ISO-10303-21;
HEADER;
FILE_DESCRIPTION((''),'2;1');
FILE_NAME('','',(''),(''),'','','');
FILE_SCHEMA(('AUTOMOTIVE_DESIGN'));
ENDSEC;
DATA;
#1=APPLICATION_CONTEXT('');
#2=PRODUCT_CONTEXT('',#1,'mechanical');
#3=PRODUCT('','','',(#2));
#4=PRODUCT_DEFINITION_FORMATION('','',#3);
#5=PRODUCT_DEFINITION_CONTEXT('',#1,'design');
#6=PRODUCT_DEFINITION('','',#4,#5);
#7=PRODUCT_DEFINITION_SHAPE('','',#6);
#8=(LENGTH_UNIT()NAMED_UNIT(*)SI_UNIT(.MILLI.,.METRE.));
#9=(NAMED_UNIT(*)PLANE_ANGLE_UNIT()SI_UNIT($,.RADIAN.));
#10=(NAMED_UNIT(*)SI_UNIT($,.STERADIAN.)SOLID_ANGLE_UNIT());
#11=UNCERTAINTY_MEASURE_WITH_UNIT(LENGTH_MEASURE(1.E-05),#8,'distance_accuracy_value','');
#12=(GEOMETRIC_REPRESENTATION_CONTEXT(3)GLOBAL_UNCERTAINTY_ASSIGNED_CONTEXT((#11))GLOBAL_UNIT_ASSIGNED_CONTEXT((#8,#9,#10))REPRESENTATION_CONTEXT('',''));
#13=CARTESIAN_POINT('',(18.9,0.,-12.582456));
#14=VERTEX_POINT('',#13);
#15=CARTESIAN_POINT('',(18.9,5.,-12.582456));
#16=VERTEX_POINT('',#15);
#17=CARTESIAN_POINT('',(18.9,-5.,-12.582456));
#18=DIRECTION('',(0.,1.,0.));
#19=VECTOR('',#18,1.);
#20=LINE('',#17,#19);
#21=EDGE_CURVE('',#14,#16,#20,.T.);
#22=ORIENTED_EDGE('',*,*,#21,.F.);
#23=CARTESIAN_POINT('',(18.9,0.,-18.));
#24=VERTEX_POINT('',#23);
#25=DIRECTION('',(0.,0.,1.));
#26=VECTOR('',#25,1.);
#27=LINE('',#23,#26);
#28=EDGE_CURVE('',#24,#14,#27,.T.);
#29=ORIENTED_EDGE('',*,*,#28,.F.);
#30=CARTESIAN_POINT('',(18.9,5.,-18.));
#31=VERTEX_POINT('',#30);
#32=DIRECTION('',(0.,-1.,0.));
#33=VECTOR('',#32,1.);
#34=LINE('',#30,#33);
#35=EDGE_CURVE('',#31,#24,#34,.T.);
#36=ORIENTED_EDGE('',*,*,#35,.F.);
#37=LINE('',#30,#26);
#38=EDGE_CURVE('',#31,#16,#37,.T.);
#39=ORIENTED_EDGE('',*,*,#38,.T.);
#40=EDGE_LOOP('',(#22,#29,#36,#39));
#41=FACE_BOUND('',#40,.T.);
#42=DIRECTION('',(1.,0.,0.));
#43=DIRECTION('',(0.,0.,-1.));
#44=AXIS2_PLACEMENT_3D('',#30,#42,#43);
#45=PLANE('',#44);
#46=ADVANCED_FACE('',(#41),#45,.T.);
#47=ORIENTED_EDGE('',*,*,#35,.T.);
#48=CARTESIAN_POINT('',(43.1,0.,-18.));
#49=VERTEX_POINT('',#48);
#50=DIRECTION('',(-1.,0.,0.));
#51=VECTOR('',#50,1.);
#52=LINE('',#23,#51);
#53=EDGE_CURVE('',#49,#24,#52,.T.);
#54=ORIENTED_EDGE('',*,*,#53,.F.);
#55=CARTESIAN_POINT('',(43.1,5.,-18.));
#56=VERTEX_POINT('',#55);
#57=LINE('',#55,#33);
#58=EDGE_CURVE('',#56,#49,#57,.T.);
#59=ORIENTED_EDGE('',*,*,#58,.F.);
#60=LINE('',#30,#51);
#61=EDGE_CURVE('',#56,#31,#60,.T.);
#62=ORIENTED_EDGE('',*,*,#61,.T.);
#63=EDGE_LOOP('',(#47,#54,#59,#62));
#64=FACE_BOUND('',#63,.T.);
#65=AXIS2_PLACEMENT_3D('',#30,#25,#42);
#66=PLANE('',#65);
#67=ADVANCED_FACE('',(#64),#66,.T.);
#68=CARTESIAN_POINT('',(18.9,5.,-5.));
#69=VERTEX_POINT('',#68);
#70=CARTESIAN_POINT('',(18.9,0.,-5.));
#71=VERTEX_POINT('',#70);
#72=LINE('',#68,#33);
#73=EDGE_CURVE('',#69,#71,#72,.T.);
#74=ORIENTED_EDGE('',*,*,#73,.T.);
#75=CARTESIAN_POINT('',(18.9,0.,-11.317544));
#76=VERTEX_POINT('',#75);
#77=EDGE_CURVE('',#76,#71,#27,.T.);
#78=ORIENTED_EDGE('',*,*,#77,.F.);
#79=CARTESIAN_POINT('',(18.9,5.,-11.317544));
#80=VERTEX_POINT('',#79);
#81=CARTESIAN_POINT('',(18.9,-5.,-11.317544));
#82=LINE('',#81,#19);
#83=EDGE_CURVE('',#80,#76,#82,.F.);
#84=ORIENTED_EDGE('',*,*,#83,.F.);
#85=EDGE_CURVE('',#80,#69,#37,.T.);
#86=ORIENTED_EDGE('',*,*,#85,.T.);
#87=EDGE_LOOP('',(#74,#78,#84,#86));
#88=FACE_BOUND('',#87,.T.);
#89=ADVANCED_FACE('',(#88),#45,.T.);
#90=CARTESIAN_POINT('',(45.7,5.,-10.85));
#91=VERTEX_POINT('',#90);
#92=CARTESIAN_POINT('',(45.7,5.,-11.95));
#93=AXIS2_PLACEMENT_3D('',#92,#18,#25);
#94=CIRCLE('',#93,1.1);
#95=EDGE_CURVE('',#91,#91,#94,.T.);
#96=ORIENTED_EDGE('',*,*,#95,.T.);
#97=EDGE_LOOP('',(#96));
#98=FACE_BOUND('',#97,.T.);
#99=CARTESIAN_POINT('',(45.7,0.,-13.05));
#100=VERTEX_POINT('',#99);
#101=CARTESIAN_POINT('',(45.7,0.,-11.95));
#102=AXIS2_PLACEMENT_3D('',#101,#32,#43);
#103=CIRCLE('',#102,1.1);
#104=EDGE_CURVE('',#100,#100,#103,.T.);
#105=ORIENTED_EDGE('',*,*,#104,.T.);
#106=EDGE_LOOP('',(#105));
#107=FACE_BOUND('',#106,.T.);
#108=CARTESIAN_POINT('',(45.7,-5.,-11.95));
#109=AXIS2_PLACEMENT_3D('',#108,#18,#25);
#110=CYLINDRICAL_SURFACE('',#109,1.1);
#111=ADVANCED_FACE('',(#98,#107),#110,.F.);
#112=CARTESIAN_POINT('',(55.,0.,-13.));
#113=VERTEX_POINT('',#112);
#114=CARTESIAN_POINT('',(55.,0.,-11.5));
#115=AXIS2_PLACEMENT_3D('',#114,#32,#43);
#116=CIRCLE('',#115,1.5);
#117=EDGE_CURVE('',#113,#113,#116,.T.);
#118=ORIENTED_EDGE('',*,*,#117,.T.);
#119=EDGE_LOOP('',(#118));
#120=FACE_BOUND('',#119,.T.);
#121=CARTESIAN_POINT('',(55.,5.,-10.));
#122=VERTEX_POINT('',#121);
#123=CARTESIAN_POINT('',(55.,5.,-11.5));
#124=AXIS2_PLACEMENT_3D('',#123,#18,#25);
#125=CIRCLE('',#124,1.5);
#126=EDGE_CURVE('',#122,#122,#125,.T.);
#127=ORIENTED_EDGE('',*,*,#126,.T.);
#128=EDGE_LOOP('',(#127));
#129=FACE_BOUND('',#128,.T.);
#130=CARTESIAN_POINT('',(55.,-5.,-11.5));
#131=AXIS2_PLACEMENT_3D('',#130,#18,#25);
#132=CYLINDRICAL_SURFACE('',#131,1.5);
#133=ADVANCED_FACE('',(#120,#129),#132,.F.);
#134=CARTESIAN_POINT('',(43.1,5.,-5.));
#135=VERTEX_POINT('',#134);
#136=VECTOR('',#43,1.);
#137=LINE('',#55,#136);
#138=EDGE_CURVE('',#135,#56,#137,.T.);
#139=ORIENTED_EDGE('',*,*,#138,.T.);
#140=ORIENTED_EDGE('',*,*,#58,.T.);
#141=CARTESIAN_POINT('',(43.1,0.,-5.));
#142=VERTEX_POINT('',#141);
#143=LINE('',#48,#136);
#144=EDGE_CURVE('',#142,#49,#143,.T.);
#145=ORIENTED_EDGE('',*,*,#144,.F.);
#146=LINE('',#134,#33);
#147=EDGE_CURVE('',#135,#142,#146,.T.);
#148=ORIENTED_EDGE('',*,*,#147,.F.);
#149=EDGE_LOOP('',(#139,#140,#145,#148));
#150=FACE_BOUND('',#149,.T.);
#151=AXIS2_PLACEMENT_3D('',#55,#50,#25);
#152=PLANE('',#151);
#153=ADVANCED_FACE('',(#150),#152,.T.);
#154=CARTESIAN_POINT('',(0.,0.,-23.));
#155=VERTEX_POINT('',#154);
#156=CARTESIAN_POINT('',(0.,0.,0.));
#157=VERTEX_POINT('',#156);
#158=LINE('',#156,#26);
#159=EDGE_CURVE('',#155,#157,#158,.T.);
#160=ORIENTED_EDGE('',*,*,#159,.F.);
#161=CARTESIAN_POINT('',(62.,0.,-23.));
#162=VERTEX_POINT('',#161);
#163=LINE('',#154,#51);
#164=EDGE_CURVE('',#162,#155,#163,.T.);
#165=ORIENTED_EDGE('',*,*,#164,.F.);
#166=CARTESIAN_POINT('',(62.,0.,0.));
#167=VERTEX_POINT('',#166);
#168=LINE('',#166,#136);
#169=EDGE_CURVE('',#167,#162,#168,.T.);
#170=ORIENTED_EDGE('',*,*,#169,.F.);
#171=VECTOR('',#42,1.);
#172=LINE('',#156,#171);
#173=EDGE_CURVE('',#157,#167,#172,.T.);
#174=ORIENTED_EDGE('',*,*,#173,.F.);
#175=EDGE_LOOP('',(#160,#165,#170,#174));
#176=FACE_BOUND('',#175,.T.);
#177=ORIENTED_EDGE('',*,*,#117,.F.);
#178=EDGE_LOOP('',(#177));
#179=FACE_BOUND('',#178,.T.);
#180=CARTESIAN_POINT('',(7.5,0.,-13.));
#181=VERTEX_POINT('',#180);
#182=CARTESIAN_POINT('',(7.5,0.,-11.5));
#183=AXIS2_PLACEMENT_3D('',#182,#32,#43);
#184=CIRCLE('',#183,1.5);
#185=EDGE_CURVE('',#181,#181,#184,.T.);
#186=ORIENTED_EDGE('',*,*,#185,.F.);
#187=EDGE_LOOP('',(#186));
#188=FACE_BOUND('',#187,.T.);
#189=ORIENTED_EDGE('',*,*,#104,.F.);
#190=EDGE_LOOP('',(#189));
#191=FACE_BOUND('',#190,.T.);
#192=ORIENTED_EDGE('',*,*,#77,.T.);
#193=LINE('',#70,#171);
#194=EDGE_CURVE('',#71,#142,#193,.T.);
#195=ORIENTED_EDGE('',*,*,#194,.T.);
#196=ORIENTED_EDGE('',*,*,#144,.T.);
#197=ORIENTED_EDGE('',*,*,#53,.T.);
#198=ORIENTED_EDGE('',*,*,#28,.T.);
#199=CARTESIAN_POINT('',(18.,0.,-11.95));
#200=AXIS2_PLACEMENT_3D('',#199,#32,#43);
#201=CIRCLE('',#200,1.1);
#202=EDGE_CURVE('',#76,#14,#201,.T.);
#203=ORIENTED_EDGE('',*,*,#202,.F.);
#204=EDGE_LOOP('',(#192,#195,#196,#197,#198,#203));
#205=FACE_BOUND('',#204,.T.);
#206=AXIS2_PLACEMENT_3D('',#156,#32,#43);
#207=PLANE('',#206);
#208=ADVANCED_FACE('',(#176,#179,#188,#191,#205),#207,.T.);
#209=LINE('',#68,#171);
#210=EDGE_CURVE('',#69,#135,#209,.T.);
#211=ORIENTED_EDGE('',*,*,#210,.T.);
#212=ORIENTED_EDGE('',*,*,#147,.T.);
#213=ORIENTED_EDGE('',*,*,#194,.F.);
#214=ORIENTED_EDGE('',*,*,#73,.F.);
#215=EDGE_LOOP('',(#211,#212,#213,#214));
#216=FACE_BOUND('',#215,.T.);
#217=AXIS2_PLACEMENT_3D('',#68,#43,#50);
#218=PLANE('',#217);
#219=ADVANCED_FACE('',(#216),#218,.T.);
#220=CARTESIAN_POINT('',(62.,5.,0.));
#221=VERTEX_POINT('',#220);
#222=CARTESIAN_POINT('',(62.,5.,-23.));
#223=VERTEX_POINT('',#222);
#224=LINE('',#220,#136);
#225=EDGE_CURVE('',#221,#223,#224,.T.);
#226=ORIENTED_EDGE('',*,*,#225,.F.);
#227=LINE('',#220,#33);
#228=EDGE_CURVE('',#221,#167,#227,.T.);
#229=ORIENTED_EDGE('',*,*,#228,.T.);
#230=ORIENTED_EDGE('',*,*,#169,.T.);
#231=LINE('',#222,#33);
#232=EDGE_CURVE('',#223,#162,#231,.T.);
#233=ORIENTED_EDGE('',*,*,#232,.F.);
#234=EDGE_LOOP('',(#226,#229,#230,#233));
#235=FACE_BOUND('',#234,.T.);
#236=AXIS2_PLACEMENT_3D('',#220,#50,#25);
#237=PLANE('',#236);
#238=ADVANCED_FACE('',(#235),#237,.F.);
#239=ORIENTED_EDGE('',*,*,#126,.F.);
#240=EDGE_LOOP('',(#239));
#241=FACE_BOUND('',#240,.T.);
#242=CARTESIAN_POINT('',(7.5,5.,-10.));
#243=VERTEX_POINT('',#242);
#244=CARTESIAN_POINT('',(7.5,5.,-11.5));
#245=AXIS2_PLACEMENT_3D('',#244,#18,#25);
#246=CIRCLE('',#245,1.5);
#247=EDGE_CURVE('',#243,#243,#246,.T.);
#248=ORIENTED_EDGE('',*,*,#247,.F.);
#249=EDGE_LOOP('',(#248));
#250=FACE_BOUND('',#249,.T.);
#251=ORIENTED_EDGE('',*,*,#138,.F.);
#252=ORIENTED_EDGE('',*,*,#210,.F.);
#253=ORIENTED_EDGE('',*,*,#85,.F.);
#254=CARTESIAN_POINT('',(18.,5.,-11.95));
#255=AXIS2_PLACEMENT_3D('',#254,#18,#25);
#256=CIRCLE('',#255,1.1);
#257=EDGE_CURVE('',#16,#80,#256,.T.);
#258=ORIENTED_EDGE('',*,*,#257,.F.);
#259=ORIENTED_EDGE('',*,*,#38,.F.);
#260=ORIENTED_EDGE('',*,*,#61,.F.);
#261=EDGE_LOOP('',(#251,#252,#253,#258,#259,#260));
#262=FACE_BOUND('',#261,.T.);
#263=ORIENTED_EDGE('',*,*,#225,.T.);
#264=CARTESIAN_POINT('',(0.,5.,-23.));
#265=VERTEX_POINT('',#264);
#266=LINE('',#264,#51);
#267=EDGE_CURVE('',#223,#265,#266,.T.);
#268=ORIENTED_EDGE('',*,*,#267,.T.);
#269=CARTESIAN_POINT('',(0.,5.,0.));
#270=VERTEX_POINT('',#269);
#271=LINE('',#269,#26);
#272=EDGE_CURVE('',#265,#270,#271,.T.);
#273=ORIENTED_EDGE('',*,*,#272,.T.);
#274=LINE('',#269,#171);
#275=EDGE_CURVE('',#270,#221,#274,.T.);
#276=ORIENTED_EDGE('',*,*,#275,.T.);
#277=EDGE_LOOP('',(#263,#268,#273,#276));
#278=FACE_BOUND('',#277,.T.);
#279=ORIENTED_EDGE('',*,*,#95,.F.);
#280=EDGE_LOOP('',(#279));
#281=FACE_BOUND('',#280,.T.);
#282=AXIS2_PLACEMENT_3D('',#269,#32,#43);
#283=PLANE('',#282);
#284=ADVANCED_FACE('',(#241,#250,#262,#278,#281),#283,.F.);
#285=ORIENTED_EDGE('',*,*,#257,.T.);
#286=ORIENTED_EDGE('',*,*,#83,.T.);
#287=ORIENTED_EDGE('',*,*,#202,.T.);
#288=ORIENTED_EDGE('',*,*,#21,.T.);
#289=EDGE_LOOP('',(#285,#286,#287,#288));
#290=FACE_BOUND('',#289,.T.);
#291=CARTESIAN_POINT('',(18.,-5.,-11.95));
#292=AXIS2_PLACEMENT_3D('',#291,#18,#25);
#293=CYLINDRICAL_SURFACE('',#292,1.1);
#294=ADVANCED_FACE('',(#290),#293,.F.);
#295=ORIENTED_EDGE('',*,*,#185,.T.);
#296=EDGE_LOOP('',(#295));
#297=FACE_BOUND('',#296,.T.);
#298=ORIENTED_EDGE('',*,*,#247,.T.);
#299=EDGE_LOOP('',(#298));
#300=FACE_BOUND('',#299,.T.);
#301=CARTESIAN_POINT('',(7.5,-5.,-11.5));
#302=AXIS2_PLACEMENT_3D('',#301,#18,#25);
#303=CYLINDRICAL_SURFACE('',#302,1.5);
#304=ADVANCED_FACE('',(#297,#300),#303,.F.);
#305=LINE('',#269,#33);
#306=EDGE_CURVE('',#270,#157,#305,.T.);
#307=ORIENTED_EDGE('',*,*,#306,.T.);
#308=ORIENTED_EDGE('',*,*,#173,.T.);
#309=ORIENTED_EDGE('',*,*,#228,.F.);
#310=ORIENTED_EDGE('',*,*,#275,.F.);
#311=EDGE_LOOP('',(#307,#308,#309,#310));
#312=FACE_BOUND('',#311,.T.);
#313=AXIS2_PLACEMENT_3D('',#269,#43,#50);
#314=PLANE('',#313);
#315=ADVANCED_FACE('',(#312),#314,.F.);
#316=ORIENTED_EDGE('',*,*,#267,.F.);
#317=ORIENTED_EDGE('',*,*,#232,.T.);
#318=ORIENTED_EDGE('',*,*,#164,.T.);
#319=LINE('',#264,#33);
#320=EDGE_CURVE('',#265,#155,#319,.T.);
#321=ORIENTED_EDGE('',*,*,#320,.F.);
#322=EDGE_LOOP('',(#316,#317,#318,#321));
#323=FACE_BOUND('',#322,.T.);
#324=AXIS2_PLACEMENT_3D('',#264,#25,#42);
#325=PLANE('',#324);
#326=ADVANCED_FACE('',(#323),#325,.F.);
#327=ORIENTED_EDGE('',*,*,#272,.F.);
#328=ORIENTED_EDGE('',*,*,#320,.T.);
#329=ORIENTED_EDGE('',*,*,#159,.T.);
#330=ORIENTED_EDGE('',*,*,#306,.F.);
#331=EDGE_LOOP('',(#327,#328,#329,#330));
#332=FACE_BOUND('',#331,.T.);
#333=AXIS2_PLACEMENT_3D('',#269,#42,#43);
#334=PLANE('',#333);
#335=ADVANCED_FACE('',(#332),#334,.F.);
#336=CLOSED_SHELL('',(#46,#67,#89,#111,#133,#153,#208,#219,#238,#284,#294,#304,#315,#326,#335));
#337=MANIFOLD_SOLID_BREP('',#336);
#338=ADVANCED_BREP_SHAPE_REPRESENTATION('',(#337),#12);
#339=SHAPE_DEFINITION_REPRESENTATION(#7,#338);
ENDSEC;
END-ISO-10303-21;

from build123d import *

# Parameters (mm, degrees)
SKETCH4_W           = 62
SKETCH4_H           = 23
SKETCH4_W_2         = 24.2
SKETCH4_H_2         = 13
BOSS_EXTRUDE2_DEPTH = 5
SKETCH7_R           = 1.1
SKETCH7_R_2         = 1.5
CUT_EXTRUDE3_DEPTH  = 10


with BuildPart() as part:
    # Sketch4 → Boss-Extrude2 (new body)
    with BuildSketch(Plane(origin=(0, 0, 0), x_dir=(1, 0, 0), z_dir=(0, 1, 0))):
        with Locations((31, 11.5)):
            Rectangle(SKETCH4_W, SKETCH4_H)
        with Locations((31, 11.5)):
            Rectangle(SKETCH4_W_2, SKETCH4_H_2, mode=Mode.SUBTRACT)
    extrude(amount=BOSS_EXTRUDE2_DEPTH)

    # Sketch7 → Cut-Extrude3 (cut)
    with BuildSketch(Plane(origin=(0, 5, 0), x_dir=(1, 0, 0), z_dir=(0, 1, 0))):
        with Locations(Location((45.7, 11.95, 0), (0, 0, 270))):
            Circle(SKETCH7_R)
        with Locations((18, 11.95)):
            Circle(SKETCH7_R)
        with Locations(Location((7.5, 11.5, 0), (0, 0, 270))):
            Circle(SKETCH7_R_2)
        with Locations(Location((55, 11.5, 0), (0, 0, 270))):
            Circle(SKETCH7_R_2)
    extrude(amount=-CUT_EXTRUDE3_DEPTH, mode=Mode.SUBTRACT)


solid = part.part
